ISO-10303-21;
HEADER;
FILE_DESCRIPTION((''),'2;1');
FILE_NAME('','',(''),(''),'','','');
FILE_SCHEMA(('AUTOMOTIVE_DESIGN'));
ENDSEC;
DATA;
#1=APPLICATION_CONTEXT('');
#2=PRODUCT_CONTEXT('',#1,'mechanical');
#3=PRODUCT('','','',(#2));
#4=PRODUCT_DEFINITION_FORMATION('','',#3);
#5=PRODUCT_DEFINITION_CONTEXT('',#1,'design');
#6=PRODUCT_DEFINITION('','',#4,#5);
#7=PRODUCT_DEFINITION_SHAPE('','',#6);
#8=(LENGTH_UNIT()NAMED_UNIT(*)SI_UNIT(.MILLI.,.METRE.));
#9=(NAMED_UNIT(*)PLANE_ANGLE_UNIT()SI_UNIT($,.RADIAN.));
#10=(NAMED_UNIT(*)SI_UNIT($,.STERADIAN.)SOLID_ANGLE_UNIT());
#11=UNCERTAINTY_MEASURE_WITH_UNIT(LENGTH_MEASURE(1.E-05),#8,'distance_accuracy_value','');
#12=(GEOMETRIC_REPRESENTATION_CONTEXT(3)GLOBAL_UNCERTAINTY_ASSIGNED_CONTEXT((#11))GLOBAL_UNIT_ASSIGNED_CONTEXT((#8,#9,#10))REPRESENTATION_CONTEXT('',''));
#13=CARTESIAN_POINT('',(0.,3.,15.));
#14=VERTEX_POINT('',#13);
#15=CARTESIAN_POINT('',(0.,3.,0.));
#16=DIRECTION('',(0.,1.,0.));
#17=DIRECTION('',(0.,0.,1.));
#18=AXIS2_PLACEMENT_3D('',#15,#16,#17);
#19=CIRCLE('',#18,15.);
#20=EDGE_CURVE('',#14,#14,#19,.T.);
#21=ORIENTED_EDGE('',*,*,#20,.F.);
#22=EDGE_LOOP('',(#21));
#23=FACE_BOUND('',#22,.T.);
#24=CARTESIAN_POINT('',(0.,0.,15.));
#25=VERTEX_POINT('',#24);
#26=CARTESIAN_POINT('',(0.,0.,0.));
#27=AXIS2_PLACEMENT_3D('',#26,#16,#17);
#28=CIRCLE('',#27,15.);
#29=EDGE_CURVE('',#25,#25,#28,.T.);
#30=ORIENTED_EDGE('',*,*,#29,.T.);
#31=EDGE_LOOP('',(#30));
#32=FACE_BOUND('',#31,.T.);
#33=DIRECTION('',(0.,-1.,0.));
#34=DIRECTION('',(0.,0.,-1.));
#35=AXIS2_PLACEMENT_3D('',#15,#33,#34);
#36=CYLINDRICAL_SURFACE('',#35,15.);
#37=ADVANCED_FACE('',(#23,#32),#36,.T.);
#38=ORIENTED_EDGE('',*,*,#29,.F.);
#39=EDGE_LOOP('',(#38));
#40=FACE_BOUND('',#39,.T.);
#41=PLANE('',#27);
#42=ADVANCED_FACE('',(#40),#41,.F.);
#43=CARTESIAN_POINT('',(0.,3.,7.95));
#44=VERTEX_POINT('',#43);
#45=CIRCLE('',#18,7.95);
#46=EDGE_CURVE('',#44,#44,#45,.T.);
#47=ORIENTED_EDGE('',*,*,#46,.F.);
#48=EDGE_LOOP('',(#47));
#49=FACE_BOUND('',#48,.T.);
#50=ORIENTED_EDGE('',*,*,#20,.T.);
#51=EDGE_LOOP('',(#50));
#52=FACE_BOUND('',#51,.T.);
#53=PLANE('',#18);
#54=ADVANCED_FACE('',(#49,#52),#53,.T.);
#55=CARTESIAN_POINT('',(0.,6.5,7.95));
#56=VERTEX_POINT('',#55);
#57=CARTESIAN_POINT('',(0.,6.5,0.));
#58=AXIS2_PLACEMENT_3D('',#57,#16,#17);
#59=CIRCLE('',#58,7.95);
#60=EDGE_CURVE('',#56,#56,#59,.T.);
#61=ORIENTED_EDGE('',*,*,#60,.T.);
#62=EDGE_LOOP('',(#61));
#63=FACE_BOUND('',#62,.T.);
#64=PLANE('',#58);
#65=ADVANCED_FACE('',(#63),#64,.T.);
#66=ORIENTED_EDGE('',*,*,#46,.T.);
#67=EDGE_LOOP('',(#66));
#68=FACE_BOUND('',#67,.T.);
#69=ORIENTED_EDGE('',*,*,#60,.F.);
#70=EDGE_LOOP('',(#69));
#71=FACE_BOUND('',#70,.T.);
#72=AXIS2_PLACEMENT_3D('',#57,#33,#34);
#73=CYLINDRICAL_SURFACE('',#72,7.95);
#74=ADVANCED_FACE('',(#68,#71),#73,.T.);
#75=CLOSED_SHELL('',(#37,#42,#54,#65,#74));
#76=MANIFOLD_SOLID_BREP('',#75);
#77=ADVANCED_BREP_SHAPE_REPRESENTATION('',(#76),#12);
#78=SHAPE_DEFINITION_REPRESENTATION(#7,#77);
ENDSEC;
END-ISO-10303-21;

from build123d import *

# Parameters (mm, degrees)
SKETCH_1_R      = 15
EXTRUDE_1_DEPTH = 3
SKETCH_2_R      = 7.95
EXTRUDE_2_DEPTH = 3.5


with BuildPart() as part:
    # 草图1 → 凸台-拉伸1 (new body)
    with BuildSketch(Plane(origin=(0, 0, 0), x_dir=(1, 0, 0), z_dir=(0, 1, 0))):
        Circle(SKETCH_1_R)
    extrude(amount=EXTRUDE_1_DEPTH)

    # 草图2 → 凸台-拉伸2 (add)
    with BuildSketch(Plane(origin=(0, 3, 0), x_dir=(1, 0, 0), z_dir=(0, 1, 0))):
        Circle(SKETCH_2_R)
    extrude(amount=EXTRUDE_2_DEPTH)


solid = part.part
